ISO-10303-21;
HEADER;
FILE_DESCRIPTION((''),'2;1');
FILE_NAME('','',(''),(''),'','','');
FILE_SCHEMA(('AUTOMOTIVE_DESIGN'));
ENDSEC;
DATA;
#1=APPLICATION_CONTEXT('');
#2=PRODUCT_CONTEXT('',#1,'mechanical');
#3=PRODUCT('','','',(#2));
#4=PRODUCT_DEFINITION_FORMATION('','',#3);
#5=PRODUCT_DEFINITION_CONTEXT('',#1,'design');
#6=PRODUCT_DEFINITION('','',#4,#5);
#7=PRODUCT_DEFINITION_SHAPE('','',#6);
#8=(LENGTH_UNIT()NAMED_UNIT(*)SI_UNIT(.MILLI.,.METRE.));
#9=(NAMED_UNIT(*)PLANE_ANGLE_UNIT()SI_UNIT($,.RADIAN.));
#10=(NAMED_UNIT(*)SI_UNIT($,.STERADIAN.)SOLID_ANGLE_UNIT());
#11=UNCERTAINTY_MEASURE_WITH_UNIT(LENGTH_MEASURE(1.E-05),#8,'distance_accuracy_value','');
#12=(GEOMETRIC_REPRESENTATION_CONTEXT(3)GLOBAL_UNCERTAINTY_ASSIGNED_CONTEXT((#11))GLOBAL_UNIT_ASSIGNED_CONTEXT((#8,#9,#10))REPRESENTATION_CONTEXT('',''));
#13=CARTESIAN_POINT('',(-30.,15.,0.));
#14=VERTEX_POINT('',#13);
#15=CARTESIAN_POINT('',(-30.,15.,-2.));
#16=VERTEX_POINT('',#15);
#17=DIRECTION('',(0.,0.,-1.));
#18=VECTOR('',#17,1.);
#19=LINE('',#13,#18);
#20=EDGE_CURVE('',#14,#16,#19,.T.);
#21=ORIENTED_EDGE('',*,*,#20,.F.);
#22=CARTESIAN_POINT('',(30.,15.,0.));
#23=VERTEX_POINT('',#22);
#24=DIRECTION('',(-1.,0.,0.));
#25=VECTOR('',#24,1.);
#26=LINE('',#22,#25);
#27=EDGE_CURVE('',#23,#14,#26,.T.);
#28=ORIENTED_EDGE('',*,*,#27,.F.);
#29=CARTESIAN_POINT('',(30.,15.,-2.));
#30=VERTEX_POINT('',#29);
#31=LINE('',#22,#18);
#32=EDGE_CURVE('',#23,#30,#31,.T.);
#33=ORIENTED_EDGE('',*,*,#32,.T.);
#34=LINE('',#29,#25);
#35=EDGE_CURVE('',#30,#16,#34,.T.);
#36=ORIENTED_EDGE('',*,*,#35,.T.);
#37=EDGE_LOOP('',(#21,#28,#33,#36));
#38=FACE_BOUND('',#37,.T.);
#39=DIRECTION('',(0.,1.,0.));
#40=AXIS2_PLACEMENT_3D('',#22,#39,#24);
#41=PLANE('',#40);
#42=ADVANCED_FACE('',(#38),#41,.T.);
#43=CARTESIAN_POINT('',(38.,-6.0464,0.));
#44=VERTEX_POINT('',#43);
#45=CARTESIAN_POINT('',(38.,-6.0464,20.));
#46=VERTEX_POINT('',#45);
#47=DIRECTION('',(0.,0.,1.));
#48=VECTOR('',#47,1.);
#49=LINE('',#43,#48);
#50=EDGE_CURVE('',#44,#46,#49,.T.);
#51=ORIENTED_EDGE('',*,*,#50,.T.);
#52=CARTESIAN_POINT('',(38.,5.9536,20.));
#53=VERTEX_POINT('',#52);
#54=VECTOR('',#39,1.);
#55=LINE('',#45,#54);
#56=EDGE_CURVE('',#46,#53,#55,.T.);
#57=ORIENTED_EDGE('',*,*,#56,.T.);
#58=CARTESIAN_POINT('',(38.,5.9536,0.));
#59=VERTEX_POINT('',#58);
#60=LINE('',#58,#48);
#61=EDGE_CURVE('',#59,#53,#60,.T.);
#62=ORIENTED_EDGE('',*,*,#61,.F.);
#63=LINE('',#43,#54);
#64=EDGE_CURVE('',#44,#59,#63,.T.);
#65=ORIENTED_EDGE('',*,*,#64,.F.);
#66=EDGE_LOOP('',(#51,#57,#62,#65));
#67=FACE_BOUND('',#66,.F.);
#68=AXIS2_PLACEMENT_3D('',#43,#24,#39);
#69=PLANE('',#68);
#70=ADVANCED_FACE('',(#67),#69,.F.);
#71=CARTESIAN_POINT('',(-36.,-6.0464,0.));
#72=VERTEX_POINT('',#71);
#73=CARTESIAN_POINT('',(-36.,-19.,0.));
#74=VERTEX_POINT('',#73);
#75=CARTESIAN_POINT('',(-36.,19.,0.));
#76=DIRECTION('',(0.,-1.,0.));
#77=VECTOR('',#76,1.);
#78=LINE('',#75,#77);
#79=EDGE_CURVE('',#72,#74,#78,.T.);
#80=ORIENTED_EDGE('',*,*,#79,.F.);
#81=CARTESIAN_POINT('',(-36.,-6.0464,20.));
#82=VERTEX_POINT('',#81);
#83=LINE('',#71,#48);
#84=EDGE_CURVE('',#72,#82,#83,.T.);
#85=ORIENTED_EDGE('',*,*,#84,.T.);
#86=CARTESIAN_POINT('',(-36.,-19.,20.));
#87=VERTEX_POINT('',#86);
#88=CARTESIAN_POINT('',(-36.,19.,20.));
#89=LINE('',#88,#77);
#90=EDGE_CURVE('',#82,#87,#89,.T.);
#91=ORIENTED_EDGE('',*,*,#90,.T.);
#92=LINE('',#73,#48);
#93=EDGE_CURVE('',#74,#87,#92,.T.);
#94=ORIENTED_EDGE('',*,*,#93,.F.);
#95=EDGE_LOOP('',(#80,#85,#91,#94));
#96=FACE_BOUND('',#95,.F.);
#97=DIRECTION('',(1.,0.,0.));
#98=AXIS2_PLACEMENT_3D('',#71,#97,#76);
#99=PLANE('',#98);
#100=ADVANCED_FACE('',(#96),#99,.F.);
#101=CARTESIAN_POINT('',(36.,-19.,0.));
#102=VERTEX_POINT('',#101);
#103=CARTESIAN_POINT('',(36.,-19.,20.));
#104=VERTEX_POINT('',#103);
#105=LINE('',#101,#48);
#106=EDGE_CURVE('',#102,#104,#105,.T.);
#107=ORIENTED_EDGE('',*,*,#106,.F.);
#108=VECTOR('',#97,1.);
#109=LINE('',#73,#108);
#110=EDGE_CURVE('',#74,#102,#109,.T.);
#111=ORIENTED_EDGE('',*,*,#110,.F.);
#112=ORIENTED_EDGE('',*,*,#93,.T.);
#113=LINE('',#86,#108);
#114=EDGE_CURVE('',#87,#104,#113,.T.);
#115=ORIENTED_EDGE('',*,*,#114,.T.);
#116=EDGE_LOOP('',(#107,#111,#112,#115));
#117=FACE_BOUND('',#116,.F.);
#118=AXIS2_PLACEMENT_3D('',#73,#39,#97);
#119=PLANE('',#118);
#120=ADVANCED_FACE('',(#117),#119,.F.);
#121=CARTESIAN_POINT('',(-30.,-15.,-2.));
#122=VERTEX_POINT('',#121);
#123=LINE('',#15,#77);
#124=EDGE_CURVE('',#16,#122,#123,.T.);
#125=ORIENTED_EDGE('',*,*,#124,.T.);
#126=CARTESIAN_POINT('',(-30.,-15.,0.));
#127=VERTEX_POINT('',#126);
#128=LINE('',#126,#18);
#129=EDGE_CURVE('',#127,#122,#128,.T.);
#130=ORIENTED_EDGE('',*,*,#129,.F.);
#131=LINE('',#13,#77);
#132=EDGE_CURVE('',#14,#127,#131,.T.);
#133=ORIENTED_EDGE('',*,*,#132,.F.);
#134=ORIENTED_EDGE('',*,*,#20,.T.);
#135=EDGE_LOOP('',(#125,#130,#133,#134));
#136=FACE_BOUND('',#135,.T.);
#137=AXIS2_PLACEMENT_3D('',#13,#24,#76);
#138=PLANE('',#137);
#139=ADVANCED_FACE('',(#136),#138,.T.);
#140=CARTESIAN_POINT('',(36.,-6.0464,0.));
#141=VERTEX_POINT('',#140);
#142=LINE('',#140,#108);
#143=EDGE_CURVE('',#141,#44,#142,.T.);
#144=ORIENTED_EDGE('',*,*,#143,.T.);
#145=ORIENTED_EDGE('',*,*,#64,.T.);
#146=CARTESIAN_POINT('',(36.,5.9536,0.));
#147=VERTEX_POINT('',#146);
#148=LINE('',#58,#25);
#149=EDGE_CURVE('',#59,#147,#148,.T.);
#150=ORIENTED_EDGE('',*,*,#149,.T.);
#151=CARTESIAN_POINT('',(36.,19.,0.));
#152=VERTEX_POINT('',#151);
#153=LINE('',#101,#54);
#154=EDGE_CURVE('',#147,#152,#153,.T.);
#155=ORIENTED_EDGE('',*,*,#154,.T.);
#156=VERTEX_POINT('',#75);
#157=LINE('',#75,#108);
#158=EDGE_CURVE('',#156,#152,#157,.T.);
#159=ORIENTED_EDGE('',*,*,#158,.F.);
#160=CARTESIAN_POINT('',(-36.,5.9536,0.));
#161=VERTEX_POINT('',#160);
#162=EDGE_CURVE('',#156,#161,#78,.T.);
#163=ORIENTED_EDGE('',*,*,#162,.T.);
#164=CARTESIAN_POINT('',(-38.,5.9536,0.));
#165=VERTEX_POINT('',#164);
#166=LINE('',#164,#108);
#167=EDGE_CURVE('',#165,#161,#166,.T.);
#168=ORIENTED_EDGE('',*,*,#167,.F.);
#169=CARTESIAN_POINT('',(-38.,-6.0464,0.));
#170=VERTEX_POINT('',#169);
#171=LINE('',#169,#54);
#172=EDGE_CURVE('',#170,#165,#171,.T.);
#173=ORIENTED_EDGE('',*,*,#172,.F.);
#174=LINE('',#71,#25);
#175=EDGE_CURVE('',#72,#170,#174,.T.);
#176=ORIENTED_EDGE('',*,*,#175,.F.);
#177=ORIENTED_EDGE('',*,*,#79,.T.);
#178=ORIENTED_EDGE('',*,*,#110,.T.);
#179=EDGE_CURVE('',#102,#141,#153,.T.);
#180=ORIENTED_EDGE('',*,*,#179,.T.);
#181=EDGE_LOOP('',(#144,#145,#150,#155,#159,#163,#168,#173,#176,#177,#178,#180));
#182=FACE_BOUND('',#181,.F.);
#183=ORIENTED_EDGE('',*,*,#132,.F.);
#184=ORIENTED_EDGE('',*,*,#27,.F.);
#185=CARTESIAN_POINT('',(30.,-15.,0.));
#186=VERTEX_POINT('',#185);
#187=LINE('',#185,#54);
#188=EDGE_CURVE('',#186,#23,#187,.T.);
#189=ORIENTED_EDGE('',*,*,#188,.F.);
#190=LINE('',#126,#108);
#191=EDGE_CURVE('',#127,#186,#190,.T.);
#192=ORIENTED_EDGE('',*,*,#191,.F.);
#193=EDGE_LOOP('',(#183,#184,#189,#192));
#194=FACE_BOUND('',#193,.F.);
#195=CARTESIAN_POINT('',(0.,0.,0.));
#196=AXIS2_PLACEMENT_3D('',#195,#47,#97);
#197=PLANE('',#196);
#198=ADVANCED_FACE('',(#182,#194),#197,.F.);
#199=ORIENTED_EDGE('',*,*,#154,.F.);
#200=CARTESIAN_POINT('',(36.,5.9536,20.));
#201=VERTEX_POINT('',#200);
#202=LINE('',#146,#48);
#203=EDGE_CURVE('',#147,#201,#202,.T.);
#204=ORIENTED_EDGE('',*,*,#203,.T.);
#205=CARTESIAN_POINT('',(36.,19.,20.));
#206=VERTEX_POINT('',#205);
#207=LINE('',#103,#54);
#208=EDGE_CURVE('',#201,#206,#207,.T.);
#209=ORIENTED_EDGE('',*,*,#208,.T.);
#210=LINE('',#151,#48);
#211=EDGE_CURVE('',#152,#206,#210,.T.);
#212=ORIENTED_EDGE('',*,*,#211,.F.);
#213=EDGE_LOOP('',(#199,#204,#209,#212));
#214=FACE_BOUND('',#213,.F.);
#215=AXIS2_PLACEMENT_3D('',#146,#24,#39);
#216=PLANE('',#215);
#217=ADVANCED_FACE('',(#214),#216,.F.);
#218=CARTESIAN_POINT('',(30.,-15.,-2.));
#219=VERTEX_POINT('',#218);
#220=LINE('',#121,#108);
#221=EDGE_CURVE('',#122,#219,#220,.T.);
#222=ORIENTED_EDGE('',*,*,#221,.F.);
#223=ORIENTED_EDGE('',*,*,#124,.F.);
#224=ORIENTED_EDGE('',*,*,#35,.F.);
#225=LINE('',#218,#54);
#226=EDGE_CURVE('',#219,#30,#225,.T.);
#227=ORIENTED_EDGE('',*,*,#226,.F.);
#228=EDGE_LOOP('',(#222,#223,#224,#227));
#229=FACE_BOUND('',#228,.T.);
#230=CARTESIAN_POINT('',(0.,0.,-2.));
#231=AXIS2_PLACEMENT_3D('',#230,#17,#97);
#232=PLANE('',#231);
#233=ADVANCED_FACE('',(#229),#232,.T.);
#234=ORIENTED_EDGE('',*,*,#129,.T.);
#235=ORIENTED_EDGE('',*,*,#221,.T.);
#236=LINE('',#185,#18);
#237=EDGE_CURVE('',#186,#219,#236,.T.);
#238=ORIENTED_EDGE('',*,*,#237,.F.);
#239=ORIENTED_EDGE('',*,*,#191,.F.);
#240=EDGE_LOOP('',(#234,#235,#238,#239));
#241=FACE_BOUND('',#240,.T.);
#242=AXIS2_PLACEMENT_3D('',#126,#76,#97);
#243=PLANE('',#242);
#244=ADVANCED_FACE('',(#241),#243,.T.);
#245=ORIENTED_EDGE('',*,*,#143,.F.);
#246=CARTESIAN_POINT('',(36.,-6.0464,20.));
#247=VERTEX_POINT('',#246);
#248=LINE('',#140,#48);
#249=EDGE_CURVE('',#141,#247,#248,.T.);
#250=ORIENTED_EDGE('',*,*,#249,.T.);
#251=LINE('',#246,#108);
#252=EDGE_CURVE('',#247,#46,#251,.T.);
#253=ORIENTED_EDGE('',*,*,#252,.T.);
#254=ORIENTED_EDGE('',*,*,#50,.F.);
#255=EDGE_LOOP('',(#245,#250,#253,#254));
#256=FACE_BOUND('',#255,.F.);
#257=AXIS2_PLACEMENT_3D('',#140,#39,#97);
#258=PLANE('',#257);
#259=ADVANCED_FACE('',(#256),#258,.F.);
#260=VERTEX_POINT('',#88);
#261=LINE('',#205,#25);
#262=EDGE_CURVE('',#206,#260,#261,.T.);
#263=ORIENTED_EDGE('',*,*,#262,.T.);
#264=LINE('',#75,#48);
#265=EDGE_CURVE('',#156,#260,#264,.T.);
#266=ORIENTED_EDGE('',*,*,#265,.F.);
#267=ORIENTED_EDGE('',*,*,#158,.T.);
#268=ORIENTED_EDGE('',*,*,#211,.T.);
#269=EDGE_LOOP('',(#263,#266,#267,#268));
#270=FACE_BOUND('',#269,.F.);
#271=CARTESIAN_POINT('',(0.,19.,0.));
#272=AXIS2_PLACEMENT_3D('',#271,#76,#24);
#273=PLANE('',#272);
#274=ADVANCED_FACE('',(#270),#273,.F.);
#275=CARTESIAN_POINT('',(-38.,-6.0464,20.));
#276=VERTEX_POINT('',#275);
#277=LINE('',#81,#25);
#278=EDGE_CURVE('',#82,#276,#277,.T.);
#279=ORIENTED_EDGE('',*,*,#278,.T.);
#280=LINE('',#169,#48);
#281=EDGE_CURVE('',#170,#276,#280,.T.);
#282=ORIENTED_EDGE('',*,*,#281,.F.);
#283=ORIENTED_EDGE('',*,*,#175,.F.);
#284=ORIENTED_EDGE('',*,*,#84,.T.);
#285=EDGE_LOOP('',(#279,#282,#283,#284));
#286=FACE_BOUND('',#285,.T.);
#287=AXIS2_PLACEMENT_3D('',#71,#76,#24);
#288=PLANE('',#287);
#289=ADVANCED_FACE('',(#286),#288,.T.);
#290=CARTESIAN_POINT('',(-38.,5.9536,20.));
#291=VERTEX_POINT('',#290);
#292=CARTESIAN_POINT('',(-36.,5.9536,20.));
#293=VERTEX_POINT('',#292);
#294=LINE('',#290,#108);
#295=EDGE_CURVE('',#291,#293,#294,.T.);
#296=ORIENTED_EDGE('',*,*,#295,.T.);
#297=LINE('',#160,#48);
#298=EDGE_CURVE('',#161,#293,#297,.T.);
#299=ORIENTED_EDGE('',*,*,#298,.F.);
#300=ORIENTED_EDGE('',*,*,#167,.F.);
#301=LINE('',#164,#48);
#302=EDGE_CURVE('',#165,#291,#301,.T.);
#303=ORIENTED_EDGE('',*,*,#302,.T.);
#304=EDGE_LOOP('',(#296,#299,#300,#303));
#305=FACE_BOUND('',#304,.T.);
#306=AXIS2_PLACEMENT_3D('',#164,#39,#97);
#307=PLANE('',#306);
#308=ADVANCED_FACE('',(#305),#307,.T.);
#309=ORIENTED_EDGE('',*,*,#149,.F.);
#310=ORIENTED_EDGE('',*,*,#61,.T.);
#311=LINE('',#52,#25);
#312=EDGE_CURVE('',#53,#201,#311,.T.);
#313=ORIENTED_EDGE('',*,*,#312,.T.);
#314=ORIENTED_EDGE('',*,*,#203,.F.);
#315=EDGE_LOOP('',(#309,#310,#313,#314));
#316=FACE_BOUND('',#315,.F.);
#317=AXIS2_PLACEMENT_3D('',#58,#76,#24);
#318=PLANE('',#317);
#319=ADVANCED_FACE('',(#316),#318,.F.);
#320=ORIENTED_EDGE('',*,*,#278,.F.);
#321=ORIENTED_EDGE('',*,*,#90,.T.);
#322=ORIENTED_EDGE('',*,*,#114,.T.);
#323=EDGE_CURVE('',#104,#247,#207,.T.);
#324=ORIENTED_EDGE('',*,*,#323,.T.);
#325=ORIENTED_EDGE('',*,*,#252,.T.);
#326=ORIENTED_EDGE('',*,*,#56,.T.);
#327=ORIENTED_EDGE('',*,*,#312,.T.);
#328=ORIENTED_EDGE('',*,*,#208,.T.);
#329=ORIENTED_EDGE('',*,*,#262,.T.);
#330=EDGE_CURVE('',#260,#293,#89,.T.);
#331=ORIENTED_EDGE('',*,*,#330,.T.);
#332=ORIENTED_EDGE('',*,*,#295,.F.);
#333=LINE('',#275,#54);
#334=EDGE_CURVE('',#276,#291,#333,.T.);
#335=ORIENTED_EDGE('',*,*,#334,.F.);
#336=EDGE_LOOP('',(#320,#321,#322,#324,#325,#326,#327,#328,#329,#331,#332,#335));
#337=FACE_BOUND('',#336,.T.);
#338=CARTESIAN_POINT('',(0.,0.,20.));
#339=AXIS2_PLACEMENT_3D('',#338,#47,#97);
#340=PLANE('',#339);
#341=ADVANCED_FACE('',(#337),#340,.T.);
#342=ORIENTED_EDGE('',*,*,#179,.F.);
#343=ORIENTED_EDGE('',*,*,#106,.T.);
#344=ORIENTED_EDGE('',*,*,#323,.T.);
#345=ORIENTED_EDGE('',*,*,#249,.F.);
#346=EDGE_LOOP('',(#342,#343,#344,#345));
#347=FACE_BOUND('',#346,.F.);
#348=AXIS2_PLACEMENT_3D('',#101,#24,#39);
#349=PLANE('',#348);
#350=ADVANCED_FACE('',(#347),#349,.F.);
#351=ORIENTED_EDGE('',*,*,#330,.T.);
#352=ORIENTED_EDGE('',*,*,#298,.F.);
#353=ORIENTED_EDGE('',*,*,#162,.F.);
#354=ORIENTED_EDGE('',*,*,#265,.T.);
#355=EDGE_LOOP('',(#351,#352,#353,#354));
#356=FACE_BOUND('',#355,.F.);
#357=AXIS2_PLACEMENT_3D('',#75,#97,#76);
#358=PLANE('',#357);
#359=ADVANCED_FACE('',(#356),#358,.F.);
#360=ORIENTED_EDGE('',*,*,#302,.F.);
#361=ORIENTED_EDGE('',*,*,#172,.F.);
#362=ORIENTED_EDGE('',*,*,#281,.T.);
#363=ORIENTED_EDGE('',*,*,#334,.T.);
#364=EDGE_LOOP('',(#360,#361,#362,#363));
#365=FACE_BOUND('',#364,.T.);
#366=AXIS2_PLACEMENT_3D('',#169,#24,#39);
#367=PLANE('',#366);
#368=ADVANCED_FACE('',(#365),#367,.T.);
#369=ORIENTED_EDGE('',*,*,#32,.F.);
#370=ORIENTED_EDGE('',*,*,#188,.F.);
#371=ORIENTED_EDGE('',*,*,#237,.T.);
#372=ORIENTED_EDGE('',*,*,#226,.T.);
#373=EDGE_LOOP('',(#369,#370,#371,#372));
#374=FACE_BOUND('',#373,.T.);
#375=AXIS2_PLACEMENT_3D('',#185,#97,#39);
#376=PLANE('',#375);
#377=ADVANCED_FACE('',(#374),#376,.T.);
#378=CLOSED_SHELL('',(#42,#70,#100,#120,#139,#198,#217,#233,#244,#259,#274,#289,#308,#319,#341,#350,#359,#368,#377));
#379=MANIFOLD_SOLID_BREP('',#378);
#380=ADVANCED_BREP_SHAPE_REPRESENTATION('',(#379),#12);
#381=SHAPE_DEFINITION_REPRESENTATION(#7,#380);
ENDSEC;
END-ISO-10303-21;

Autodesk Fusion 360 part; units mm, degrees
sketch "Esquisse1" plane through (0, 0, 0) normal (0, 0, 1) x (1, 0, 0)
  line L0 (-36, -19) -> (36, -19)
  line L1 (36, -19) -> (36, 19)
  line L2 (36, 19) -> (-36, 19)
  line L3 (-36, 19) -> (-36, -19)
  line L4 (-36, -19) -> (36, 19) construction
  line L5 (36, -19) -> (-36, 19) construction
  line L6 (-36, -6.0464) -> (-38, -6.0464)
  line L7 (-38, -6.0464) -> (-38, 5.9536)
  line L8 (-38, 5.9536) -> (-36, 5.9536)
  line L9 (-36, 5.9536) -> (-36, -6.0464)
  line L10 (-36, -6.0464) -> (-38, 5.9536) construction
  line L11 (-38, -6.0464) -> (-36, 5.9536) construction
  line L12 (0, 1.75) -> (0, 22.5)
  line L13 (36, -6.0464) -> (38, -6.0464)
  line L14 (36, -6.0464) -> (38, 5.9536) construction
  line L15 (38, -6.0464) -> (36, 5.9536) construction
  line L16 (38, -6.0464) -> (38, 5.9536)
  line L17 (38, 5.9536) -> (36, 5.9536)
  line L18 (36, 5.9536) -> (36, -6.0464)
  point P0 (-37, -0.0464)
  point P1 (37, -0.0464)
  dimension "d1" = 72
  dimension "d2" = 38
  dimension "d3" = 12
  dimension "d4" = 2
extrude "Extrusion1" add sketch "Esquisse1" along normal blind 20
sketch "Esquisse2" plane through (0, 0, 0) normal (0, 0, -1) x (1, 0, 0)
  line L0 (-36, 19) -> (-36, 6.0464)
  line L1 (-36, 6.0464) -> (-38, 6.0464)
  line L2 (-38, 6.0464) -> (-38, -5.9536)
  line L3 (-38, -5.9536) -> (-36, -5.9536)
  line L4 (-36, -5.9536) -> (-36, -19)
  line L5 (-36, -19) -> (36, -19)
  line L6 (36, -19) -> (36, -5.9536)
  line L7 (36, -5.9536) -> (38, -5.9536)
  line L8 (38, -5.9536) -> (38, 6.0464)
  line L9 (38, 6.0464) -> (36, 6.0464)
  line L10 (36, 6.0464) -> (36, 19)
  line L11 (36, 19) -> (-36, 19)
  line L12 (30, -15) -> (-30, -15)
  line L13 (-30, -15) -> (-30, 15)
  line L14 (-30, 15) -> (30, 15)
  line L15 (30, 15) -> (30, -15)
  line L16 (30, -15) -> (-30, 15) construction
  line L17 (-30, -15) -> (30, 15) construction
  dimension "d7" = 60
  dimension "d8" = 30
extrude "Extrusion2" add sketch "Esquisse2" along normal blind 2 contours L12 L13 L14 L15
